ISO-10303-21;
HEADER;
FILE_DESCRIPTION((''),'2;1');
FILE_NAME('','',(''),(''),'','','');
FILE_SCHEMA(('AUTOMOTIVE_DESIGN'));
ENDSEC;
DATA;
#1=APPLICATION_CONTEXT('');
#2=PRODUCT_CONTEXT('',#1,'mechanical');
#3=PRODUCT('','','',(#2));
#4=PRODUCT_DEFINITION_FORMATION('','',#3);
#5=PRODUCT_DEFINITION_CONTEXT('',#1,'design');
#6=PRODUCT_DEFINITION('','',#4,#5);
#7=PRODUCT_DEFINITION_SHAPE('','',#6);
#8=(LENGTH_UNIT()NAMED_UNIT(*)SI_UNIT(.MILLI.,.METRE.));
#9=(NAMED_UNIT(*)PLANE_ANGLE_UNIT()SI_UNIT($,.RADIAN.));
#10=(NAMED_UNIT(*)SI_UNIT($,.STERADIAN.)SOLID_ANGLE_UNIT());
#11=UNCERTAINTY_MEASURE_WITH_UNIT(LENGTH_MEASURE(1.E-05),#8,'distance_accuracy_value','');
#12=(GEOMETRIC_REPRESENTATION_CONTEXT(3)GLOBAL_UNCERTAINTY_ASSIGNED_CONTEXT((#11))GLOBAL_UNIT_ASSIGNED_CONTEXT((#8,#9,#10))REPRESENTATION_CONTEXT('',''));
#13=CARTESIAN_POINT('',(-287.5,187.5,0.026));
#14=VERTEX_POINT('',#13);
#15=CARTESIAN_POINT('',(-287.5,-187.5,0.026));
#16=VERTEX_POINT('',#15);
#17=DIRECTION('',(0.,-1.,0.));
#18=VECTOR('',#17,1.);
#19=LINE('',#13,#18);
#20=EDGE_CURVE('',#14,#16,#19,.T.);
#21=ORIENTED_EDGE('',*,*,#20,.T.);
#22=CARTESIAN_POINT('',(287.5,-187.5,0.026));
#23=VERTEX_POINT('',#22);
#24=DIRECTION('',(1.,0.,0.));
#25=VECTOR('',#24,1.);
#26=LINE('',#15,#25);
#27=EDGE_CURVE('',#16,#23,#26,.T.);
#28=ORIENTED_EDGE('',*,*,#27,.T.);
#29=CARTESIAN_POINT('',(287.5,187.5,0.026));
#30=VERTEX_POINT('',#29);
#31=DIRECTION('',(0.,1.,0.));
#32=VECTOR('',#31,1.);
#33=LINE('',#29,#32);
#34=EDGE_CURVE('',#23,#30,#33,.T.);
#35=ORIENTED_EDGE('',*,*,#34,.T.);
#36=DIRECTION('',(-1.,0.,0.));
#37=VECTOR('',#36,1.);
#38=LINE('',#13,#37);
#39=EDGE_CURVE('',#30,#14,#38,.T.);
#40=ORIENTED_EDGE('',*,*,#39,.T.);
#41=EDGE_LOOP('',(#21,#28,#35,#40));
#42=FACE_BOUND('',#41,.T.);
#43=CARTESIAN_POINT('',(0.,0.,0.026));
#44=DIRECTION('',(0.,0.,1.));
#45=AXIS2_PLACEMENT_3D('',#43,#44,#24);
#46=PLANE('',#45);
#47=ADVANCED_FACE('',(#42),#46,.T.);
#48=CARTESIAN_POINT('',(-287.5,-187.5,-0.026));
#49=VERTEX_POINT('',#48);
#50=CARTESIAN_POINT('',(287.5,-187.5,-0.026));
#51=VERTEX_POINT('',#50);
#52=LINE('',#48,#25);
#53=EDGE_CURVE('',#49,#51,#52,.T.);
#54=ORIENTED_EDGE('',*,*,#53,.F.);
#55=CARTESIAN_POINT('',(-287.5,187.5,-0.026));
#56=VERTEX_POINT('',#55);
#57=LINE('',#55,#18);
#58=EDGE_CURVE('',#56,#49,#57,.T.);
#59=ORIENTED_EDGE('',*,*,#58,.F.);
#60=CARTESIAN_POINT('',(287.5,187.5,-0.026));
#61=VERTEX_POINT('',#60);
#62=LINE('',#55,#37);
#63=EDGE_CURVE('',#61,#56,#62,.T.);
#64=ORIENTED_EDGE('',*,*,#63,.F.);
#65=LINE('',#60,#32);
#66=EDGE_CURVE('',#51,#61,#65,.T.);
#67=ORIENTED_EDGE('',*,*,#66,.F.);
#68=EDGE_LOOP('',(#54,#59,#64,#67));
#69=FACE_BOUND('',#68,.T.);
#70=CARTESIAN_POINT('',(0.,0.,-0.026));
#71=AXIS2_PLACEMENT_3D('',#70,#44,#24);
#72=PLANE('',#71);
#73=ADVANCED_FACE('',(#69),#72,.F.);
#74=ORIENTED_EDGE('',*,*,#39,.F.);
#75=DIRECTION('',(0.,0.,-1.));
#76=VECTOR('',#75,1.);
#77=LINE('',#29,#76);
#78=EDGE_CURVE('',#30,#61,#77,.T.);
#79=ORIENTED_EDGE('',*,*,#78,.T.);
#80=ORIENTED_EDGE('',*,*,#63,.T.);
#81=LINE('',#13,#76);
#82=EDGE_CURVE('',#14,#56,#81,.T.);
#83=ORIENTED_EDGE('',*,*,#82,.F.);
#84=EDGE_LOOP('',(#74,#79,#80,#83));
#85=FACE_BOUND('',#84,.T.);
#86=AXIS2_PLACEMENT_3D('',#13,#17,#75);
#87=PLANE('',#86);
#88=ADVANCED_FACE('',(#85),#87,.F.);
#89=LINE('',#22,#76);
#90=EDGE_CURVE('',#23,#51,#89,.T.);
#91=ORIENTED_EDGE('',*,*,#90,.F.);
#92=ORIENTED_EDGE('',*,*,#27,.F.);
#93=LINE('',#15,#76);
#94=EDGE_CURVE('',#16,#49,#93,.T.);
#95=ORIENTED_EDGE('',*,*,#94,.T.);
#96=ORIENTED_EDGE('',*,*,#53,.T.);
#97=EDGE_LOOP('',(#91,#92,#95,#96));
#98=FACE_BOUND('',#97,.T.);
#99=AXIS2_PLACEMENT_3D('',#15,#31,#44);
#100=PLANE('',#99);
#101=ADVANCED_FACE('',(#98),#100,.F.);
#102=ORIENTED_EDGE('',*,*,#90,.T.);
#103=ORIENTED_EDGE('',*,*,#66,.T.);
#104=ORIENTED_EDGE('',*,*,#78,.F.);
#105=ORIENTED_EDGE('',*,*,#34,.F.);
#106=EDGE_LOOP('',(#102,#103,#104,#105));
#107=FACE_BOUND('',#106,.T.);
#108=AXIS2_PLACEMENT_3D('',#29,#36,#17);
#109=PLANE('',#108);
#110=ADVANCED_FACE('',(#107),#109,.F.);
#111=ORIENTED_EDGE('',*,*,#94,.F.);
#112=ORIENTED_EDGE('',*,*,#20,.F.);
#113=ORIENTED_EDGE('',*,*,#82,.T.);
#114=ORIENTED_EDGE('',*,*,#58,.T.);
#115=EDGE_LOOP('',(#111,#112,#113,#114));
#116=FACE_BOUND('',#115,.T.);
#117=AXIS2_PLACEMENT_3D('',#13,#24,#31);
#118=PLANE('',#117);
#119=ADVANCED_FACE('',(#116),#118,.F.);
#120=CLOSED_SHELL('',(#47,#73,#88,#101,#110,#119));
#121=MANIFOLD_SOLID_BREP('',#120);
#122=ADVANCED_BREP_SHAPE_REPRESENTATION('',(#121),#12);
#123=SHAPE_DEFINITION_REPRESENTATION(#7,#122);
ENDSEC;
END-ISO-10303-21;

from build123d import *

# Parameters (mm, degrees)
SKETCH1_W           = 575
SKETCH1_H           = 375
BOSS_EXTRUDE1_DEPTH = 0.026


with BuildPart() as part:
    # Sketch1 → Boss-Extrude1 (new, symmetric)
    with BuildSketch(Plane.XY):
        Rectangle(SKETCH1_W, SKETCH1_H)
    extrude(amount=BOSS_EXTRUDE1_DEPTH, both=True)


solid = part.part
